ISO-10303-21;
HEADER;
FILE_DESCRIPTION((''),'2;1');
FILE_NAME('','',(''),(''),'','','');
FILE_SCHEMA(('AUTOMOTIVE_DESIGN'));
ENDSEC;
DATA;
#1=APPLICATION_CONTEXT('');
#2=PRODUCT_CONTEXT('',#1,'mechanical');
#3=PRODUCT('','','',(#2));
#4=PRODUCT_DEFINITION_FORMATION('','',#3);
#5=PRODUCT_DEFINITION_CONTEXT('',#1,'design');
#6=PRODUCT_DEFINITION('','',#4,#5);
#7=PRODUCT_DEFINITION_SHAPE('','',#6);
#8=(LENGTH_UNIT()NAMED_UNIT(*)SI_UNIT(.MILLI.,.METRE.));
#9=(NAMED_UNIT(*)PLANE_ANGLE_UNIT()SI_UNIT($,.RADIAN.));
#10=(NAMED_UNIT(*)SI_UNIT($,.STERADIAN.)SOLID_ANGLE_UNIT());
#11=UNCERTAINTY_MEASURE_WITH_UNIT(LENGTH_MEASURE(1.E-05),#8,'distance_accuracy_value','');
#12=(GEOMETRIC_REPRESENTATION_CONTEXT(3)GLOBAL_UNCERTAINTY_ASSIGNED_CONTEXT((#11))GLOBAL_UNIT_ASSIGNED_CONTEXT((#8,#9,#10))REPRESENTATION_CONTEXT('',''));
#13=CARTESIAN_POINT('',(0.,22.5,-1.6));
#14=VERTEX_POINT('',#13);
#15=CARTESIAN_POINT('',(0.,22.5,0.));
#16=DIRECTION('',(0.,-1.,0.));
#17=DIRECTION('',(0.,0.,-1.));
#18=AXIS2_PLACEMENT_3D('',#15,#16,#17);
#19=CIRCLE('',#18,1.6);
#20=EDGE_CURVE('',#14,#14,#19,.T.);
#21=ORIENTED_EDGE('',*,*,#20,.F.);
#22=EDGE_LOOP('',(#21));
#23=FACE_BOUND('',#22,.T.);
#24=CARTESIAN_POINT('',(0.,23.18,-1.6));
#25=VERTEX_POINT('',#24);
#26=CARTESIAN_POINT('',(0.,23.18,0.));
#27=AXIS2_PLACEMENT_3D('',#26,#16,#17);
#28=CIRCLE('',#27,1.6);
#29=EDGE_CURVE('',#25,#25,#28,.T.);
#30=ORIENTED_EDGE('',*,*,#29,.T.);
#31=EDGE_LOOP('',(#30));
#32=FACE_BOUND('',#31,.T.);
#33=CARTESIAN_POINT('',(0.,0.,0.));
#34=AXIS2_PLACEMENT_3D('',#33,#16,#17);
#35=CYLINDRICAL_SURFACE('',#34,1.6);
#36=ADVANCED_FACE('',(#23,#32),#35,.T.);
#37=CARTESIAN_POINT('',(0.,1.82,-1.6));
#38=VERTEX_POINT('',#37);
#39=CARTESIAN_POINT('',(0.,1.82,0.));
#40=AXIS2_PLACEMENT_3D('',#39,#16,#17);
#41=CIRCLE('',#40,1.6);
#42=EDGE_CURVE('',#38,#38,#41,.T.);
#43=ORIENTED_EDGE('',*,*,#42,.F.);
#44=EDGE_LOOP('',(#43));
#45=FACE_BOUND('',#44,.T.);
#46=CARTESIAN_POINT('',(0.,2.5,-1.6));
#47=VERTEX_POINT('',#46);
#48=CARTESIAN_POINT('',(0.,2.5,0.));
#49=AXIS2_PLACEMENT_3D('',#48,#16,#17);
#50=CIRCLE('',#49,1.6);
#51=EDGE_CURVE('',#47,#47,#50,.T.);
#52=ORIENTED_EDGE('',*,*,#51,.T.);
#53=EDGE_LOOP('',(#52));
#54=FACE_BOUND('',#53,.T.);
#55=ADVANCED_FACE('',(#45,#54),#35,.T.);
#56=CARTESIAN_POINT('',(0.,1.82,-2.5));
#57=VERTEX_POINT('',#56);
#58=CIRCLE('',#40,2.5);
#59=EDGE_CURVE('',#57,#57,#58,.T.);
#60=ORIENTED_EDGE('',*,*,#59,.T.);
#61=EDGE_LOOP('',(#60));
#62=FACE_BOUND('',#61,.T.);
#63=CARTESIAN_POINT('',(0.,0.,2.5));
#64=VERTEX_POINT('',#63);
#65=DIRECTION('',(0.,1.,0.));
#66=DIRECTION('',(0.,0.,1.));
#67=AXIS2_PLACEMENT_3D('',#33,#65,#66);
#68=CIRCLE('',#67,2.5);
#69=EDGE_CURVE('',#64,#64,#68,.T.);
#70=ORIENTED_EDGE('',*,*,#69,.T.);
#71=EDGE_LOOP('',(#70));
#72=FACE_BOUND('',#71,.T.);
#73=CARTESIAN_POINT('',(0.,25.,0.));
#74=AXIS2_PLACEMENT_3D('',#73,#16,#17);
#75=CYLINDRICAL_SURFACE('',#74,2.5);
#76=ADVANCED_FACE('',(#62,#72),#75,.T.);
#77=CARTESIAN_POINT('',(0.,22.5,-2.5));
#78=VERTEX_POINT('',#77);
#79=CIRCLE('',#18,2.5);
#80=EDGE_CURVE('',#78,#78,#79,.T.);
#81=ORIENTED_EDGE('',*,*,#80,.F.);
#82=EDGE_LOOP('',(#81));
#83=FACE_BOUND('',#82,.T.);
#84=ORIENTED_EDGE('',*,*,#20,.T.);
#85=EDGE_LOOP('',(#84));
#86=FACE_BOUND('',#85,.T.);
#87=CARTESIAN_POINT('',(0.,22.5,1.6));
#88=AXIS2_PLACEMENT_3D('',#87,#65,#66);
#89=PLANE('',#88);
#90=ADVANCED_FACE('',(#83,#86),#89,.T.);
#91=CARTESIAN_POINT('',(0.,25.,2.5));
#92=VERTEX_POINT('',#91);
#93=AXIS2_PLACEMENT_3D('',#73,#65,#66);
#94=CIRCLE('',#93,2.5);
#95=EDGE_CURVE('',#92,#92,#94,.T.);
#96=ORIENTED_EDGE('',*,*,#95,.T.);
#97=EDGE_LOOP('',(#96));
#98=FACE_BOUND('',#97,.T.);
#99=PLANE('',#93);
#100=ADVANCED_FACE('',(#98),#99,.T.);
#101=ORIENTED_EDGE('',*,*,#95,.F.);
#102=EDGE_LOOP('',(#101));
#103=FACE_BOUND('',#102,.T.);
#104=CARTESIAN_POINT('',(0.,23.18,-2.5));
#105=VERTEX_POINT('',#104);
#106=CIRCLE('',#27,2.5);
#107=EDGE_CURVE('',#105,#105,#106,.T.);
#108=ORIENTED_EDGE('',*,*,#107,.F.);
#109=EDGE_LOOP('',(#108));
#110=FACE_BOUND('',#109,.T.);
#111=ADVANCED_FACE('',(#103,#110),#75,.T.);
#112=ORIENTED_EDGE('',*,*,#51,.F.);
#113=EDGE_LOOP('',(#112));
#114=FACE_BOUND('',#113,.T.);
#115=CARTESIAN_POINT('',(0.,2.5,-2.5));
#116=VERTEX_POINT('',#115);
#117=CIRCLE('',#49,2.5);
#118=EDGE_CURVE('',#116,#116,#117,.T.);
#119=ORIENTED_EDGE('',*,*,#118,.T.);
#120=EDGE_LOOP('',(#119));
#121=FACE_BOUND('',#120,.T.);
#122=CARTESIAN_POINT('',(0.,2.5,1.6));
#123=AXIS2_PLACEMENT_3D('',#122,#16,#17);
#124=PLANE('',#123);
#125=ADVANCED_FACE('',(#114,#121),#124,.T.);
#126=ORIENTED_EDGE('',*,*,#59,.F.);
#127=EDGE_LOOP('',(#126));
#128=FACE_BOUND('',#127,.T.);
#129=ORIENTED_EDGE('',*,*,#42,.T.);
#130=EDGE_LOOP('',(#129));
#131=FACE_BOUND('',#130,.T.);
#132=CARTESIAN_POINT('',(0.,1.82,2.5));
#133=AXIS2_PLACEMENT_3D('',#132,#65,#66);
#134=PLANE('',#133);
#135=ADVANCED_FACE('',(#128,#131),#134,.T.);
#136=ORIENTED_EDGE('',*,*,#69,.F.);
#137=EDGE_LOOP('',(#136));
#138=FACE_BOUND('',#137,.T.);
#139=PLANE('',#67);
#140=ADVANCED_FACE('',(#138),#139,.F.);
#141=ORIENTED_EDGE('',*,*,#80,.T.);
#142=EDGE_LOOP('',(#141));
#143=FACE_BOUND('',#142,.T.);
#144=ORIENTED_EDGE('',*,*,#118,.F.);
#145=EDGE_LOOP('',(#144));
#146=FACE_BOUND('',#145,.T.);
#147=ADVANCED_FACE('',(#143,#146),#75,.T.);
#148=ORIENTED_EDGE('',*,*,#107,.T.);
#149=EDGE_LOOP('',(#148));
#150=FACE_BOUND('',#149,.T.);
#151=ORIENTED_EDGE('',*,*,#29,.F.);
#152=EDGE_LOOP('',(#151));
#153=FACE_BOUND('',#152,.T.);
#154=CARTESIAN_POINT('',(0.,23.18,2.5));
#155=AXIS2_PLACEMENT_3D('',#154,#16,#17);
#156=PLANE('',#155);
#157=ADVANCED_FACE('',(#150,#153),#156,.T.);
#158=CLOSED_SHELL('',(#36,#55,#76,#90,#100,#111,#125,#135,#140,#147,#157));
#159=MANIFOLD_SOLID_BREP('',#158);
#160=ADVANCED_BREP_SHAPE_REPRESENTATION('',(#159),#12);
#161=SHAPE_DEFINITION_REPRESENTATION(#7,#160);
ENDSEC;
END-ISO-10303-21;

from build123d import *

# Parameters (mm, degrees)
SKETCH2_R           = 2.5
BOSS_EXTRUDE1_DEPTH = 25
SKETCH3_W           = 0.9
SKETCH3_H           = 0.68


with BuildPart() as part:
    # Sketch2 → Boss-Extrude1 (new body)
    with BuildSketch(Plane(origin=(0, 0, 0), x_dir=(1, 0, 0), z_dir=(0, 1, 0))):
        Circle(SKETCH2_R)
    extrude(amount=BOSS_EXTRUDE1_DEPTH)

    # Sketch3 → Cut-Revolve1 (revolve, cut)
    with BuildSketch(Plane(origin=(0, 0, 0), x_dir=(0, 0, -1), z_dir=(1, 0, 0))):
        with Locations((-2.05, 2.16)):
            Rectangle(SKETCH3_W, SKETCH3_H)
        with Locations((-2.05, 22.84)):
            Rectangle(SKETCH3_W, SKETCH3_H)
    revolve(axis=Axis((0, 0, 0), (0, 1, 0)), mode=Mode.SUBTRACT)


solid = part.part
